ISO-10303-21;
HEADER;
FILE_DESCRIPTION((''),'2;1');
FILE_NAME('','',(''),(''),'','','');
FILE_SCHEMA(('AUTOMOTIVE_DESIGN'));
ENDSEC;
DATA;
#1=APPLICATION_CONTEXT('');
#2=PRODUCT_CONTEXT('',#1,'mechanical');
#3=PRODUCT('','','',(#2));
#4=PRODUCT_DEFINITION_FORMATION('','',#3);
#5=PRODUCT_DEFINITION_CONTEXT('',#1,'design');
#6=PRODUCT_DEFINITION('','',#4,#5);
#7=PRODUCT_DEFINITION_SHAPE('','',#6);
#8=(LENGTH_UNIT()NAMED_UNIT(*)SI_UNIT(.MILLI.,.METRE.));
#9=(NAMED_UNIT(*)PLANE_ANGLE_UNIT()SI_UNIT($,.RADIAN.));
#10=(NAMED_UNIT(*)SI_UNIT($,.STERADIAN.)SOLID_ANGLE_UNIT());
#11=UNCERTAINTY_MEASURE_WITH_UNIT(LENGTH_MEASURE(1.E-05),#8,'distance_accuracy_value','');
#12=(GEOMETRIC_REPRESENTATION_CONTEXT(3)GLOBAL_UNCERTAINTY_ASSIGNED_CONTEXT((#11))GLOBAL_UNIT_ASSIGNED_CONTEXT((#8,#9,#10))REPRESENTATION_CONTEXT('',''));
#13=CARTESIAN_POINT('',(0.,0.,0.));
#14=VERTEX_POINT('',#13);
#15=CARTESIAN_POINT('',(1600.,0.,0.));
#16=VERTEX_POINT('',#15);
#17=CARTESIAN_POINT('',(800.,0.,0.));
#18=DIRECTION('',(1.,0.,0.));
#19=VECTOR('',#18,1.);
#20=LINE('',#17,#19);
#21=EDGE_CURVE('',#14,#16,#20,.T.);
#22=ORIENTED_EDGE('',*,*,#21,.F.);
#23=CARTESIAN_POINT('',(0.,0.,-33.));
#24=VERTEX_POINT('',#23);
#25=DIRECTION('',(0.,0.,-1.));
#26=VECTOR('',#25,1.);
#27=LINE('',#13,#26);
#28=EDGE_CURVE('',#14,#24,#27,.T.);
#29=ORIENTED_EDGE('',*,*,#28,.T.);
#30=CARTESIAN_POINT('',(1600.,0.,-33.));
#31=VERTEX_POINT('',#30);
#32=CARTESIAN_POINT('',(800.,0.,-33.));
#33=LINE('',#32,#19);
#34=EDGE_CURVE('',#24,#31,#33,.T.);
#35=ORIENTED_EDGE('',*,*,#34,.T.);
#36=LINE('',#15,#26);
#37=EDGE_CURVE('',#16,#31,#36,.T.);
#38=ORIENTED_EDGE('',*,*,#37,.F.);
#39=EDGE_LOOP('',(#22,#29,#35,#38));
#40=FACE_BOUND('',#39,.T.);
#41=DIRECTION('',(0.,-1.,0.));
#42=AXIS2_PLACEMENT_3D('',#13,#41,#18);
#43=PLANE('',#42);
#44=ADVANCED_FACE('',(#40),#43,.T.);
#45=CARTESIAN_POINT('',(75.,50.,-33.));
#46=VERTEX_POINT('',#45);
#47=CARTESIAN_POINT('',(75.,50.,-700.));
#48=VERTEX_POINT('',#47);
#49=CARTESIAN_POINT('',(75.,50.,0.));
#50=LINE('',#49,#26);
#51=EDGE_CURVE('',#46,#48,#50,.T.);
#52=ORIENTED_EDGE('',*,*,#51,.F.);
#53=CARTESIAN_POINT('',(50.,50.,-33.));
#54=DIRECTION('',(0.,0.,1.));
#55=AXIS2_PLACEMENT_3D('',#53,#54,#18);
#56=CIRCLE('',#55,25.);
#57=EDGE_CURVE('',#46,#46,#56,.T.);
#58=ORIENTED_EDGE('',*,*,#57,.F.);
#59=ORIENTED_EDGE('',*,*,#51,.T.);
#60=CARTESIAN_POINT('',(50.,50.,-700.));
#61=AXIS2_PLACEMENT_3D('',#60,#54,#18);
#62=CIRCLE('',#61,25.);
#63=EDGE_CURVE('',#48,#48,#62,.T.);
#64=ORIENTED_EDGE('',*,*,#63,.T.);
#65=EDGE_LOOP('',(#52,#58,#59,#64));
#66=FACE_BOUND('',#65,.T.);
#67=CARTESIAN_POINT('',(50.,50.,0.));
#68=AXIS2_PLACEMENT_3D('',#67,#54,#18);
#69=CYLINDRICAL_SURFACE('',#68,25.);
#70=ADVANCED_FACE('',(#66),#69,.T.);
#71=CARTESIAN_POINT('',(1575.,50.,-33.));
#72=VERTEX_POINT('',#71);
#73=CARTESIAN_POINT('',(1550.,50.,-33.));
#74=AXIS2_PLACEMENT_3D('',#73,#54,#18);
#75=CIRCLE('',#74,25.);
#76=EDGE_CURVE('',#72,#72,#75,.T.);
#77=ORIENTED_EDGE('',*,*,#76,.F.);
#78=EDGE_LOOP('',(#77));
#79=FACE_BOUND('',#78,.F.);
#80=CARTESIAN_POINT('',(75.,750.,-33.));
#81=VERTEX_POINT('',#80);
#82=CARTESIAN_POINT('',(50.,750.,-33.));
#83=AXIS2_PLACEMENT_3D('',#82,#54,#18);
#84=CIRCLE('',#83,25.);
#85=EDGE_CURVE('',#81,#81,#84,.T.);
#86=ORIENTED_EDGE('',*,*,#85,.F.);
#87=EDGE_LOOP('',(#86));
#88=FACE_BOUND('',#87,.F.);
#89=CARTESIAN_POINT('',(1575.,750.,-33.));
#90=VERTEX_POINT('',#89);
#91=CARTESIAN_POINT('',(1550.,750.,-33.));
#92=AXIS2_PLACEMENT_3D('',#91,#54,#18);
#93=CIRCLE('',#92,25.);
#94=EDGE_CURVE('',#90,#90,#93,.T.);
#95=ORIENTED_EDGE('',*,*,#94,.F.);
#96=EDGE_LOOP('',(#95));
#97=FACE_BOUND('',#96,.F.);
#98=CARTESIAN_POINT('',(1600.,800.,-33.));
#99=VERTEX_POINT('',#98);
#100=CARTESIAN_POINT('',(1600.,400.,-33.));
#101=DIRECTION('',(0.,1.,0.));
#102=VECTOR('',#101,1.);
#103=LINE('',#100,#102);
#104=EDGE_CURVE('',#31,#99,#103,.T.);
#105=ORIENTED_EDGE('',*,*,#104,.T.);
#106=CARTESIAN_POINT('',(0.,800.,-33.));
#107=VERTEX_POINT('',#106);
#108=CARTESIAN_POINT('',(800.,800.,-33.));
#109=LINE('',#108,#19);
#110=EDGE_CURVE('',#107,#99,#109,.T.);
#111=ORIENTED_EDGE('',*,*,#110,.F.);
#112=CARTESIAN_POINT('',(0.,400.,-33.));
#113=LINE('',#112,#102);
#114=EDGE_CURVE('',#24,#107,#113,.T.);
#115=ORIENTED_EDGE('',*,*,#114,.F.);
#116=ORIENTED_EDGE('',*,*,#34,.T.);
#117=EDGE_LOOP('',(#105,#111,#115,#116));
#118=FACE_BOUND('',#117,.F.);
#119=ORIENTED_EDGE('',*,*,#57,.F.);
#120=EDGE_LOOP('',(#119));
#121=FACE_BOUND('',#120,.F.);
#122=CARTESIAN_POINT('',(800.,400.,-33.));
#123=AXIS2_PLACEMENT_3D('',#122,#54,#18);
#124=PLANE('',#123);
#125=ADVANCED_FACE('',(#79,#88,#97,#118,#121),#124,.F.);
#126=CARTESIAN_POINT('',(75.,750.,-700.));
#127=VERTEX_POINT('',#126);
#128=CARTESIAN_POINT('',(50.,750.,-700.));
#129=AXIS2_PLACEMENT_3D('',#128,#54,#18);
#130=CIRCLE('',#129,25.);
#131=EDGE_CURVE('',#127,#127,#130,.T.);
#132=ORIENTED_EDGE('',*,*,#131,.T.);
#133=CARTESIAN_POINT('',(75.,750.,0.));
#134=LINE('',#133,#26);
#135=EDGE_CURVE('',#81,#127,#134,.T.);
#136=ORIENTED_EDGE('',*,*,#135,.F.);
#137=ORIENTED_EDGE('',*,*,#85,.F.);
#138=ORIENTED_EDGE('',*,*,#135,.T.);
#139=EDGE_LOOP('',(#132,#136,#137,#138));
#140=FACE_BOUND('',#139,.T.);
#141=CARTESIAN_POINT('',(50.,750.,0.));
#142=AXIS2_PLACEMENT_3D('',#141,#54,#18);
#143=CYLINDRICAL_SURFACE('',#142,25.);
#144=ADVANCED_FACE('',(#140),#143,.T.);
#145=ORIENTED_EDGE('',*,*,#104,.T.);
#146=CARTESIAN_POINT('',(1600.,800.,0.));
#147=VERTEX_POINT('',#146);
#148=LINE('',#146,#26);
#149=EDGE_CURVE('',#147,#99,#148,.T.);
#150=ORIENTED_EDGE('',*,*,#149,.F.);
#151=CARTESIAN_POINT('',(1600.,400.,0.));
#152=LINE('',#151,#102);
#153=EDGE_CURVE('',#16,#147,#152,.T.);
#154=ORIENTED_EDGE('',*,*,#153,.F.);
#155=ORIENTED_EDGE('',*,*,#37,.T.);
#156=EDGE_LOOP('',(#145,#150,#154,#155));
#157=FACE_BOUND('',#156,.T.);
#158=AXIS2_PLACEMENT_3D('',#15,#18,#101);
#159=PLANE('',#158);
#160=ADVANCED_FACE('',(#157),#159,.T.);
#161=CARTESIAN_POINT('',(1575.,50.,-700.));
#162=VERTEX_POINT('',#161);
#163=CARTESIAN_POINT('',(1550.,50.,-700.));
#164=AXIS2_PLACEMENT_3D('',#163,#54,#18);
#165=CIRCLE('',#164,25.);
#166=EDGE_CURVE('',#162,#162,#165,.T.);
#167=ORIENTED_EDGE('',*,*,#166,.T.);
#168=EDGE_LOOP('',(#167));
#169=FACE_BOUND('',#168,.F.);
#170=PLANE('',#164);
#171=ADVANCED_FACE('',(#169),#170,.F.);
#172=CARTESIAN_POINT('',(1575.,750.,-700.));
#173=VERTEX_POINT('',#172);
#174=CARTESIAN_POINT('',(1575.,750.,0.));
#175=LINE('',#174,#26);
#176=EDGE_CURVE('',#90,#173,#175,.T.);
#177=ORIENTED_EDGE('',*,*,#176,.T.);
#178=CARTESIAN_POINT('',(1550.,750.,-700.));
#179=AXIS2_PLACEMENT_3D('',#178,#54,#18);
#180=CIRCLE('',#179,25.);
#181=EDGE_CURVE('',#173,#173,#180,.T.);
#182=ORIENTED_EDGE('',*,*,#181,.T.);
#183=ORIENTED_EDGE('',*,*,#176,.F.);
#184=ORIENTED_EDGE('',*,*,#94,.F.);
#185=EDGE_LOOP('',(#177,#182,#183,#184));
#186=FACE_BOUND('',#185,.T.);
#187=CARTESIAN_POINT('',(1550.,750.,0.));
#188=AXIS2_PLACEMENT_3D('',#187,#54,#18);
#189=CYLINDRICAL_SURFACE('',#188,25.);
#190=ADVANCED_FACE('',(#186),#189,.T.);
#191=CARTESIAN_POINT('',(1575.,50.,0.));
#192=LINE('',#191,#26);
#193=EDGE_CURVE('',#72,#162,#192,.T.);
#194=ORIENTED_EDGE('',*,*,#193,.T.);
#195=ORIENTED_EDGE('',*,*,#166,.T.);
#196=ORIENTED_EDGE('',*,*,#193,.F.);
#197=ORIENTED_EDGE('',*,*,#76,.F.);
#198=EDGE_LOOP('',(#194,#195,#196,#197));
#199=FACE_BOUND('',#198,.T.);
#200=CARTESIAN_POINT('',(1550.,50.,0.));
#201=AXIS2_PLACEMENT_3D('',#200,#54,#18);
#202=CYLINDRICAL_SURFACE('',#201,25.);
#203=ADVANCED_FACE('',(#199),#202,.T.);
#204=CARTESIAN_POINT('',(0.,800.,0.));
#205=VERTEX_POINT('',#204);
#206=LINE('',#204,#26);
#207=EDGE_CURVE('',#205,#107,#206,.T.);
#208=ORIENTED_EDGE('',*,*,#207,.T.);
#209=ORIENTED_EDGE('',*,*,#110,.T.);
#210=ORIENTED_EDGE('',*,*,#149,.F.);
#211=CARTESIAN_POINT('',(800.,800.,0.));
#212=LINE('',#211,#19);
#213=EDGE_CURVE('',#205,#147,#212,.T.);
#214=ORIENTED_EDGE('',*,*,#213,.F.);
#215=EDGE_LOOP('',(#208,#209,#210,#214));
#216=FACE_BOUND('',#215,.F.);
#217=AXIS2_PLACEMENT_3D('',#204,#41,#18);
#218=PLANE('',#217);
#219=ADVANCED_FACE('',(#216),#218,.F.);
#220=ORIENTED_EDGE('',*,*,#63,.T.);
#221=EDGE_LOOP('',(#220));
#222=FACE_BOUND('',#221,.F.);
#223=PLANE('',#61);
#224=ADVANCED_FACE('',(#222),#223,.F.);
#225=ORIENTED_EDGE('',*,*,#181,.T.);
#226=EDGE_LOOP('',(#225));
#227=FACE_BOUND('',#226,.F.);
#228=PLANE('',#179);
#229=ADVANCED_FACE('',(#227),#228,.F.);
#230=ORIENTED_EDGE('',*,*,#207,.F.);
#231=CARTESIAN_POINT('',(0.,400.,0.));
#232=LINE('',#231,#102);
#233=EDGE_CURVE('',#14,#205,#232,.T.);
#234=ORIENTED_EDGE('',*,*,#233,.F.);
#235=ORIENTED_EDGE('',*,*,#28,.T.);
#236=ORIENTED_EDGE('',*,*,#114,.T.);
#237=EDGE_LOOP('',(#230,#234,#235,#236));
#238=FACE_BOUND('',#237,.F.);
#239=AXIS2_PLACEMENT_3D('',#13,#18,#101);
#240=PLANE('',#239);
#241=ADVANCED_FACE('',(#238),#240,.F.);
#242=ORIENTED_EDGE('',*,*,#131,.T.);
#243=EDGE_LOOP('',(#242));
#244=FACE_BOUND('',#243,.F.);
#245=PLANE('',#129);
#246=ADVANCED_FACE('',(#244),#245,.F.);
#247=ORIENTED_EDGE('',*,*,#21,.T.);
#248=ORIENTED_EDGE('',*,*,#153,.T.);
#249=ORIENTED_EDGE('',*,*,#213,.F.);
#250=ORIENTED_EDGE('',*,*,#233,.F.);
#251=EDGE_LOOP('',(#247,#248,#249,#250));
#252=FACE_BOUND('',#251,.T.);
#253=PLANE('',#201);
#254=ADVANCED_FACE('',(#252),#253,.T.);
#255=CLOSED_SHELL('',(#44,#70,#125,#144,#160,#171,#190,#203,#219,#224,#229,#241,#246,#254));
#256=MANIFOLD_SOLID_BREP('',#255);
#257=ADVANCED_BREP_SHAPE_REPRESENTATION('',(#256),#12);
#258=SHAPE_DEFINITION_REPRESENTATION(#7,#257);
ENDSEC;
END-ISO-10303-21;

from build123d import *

# Parameters (mm, degrees)
F1_W     = 1600
F1_H     = 800
F2_DEPTH = 33
F3_R     = 25
F4_DEPTH = 700


with BuildPart() as f2:
    # F1 (on Top) → F2 (new body)
    with BuildSketch(Plane.XY):
        with Locations((800, 400)):
            Rectangle(F1_W, F1_H)
    extrude(amount=-F2_DEPTH)

    # F3 (on Top) → F4 (join)
    with BuildSketch(Plane.XY):
        with Locations((1550, 50)):
            Circle(F3_R)
        with Locations((1550, 750)):
            Circle(F3_R)
        with Locations((50, 750)):
            Circle(F3_R)
        with Locations((50, 50)):
            Circle(F3_R)
    extrude(amount=-F4_DEPTH)


solid = f2.part
